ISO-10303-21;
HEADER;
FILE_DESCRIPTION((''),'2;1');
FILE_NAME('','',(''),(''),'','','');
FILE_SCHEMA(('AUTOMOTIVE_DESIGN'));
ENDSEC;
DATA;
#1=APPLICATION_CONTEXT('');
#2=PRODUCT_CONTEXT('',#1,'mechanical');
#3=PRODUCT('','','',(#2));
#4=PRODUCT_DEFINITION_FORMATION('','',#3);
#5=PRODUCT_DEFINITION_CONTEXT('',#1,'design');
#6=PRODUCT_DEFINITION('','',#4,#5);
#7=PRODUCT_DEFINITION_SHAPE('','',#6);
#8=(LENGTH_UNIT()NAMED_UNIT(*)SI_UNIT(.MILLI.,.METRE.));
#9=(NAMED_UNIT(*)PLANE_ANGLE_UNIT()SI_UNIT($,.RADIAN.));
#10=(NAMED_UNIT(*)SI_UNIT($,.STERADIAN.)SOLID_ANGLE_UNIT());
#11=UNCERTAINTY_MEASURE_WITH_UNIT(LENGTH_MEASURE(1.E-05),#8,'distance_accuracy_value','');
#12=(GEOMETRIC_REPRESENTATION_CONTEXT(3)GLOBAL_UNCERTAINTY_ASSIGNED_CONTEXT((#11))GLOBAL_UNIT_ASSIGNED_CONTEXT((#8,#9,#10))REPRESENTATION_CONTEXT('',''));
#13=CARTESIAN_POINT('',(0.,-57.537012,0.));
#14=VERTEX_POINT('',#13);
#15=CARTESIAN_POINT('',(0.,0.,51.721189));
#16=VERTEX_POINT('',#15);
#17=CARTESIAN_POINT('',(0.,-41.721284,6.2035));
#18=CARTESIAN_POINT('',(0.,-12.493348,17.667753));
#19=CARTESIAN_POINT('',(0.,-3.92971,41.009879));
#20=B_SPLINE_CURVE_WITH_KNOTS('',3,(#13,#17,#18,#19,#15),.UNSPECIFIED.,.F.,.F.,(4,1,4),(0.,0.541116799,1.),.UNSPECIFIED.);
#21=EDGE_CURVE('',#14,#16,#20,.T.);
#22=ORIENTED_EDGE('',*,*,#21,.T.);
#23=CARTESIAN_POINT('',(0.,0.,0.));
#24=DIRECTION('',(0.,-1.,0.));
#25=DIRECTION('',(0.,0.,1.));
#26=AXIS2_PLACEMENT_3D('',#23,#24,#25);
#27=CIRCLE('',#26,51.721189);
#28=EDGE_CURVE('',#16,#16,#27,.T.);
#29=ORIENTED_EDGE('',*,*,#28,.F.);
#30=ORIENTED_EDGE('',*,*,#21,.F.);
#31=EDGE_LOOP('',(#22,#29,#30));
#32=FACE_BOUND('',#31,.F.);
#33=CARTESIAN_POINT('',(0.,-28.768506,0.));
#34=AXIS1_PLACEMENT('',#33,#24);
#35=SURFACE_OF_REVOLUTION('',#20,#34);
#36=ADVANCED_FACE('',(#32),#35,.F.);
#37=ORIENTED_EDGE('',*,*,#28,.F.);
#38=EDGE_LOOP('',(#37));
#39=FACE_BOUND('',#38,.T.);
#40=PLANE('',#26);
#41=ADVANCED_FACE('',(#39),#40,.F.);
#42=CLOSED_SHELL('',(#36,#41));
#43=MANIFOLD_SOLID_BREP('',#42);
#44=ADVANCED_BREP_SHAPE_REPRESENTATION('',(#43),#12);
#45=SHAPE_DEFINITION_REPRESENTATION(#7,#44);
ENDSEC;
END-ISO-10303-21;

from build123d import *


with BuildPart() as f1:
    # F0 (on Right) → F1 (revolve)
    with BuildSketch(Plane.YZ):
        with BuildLine():
            Line((-57.5370118022, 0), (0, 0))
            Line((0, 0), (0, 51.7211891711))
            add(Edge.make_bspline(
                [(-57.5370118022, 0), (-41.7212844465, 6.2034999711), (-12.4933480803, 17.6677531367), (-3.9297097656, 41.0098794984), (0, 51.7211891711)],
                knots=[0, 0, 0, 0, 0.5411167986, 1, 1, 1, 1], degree=3))
        make_face()
    revolve(axis=Axis((0, -28.7685059011, 0), (0, -1, 0)))


solid = f1.part
